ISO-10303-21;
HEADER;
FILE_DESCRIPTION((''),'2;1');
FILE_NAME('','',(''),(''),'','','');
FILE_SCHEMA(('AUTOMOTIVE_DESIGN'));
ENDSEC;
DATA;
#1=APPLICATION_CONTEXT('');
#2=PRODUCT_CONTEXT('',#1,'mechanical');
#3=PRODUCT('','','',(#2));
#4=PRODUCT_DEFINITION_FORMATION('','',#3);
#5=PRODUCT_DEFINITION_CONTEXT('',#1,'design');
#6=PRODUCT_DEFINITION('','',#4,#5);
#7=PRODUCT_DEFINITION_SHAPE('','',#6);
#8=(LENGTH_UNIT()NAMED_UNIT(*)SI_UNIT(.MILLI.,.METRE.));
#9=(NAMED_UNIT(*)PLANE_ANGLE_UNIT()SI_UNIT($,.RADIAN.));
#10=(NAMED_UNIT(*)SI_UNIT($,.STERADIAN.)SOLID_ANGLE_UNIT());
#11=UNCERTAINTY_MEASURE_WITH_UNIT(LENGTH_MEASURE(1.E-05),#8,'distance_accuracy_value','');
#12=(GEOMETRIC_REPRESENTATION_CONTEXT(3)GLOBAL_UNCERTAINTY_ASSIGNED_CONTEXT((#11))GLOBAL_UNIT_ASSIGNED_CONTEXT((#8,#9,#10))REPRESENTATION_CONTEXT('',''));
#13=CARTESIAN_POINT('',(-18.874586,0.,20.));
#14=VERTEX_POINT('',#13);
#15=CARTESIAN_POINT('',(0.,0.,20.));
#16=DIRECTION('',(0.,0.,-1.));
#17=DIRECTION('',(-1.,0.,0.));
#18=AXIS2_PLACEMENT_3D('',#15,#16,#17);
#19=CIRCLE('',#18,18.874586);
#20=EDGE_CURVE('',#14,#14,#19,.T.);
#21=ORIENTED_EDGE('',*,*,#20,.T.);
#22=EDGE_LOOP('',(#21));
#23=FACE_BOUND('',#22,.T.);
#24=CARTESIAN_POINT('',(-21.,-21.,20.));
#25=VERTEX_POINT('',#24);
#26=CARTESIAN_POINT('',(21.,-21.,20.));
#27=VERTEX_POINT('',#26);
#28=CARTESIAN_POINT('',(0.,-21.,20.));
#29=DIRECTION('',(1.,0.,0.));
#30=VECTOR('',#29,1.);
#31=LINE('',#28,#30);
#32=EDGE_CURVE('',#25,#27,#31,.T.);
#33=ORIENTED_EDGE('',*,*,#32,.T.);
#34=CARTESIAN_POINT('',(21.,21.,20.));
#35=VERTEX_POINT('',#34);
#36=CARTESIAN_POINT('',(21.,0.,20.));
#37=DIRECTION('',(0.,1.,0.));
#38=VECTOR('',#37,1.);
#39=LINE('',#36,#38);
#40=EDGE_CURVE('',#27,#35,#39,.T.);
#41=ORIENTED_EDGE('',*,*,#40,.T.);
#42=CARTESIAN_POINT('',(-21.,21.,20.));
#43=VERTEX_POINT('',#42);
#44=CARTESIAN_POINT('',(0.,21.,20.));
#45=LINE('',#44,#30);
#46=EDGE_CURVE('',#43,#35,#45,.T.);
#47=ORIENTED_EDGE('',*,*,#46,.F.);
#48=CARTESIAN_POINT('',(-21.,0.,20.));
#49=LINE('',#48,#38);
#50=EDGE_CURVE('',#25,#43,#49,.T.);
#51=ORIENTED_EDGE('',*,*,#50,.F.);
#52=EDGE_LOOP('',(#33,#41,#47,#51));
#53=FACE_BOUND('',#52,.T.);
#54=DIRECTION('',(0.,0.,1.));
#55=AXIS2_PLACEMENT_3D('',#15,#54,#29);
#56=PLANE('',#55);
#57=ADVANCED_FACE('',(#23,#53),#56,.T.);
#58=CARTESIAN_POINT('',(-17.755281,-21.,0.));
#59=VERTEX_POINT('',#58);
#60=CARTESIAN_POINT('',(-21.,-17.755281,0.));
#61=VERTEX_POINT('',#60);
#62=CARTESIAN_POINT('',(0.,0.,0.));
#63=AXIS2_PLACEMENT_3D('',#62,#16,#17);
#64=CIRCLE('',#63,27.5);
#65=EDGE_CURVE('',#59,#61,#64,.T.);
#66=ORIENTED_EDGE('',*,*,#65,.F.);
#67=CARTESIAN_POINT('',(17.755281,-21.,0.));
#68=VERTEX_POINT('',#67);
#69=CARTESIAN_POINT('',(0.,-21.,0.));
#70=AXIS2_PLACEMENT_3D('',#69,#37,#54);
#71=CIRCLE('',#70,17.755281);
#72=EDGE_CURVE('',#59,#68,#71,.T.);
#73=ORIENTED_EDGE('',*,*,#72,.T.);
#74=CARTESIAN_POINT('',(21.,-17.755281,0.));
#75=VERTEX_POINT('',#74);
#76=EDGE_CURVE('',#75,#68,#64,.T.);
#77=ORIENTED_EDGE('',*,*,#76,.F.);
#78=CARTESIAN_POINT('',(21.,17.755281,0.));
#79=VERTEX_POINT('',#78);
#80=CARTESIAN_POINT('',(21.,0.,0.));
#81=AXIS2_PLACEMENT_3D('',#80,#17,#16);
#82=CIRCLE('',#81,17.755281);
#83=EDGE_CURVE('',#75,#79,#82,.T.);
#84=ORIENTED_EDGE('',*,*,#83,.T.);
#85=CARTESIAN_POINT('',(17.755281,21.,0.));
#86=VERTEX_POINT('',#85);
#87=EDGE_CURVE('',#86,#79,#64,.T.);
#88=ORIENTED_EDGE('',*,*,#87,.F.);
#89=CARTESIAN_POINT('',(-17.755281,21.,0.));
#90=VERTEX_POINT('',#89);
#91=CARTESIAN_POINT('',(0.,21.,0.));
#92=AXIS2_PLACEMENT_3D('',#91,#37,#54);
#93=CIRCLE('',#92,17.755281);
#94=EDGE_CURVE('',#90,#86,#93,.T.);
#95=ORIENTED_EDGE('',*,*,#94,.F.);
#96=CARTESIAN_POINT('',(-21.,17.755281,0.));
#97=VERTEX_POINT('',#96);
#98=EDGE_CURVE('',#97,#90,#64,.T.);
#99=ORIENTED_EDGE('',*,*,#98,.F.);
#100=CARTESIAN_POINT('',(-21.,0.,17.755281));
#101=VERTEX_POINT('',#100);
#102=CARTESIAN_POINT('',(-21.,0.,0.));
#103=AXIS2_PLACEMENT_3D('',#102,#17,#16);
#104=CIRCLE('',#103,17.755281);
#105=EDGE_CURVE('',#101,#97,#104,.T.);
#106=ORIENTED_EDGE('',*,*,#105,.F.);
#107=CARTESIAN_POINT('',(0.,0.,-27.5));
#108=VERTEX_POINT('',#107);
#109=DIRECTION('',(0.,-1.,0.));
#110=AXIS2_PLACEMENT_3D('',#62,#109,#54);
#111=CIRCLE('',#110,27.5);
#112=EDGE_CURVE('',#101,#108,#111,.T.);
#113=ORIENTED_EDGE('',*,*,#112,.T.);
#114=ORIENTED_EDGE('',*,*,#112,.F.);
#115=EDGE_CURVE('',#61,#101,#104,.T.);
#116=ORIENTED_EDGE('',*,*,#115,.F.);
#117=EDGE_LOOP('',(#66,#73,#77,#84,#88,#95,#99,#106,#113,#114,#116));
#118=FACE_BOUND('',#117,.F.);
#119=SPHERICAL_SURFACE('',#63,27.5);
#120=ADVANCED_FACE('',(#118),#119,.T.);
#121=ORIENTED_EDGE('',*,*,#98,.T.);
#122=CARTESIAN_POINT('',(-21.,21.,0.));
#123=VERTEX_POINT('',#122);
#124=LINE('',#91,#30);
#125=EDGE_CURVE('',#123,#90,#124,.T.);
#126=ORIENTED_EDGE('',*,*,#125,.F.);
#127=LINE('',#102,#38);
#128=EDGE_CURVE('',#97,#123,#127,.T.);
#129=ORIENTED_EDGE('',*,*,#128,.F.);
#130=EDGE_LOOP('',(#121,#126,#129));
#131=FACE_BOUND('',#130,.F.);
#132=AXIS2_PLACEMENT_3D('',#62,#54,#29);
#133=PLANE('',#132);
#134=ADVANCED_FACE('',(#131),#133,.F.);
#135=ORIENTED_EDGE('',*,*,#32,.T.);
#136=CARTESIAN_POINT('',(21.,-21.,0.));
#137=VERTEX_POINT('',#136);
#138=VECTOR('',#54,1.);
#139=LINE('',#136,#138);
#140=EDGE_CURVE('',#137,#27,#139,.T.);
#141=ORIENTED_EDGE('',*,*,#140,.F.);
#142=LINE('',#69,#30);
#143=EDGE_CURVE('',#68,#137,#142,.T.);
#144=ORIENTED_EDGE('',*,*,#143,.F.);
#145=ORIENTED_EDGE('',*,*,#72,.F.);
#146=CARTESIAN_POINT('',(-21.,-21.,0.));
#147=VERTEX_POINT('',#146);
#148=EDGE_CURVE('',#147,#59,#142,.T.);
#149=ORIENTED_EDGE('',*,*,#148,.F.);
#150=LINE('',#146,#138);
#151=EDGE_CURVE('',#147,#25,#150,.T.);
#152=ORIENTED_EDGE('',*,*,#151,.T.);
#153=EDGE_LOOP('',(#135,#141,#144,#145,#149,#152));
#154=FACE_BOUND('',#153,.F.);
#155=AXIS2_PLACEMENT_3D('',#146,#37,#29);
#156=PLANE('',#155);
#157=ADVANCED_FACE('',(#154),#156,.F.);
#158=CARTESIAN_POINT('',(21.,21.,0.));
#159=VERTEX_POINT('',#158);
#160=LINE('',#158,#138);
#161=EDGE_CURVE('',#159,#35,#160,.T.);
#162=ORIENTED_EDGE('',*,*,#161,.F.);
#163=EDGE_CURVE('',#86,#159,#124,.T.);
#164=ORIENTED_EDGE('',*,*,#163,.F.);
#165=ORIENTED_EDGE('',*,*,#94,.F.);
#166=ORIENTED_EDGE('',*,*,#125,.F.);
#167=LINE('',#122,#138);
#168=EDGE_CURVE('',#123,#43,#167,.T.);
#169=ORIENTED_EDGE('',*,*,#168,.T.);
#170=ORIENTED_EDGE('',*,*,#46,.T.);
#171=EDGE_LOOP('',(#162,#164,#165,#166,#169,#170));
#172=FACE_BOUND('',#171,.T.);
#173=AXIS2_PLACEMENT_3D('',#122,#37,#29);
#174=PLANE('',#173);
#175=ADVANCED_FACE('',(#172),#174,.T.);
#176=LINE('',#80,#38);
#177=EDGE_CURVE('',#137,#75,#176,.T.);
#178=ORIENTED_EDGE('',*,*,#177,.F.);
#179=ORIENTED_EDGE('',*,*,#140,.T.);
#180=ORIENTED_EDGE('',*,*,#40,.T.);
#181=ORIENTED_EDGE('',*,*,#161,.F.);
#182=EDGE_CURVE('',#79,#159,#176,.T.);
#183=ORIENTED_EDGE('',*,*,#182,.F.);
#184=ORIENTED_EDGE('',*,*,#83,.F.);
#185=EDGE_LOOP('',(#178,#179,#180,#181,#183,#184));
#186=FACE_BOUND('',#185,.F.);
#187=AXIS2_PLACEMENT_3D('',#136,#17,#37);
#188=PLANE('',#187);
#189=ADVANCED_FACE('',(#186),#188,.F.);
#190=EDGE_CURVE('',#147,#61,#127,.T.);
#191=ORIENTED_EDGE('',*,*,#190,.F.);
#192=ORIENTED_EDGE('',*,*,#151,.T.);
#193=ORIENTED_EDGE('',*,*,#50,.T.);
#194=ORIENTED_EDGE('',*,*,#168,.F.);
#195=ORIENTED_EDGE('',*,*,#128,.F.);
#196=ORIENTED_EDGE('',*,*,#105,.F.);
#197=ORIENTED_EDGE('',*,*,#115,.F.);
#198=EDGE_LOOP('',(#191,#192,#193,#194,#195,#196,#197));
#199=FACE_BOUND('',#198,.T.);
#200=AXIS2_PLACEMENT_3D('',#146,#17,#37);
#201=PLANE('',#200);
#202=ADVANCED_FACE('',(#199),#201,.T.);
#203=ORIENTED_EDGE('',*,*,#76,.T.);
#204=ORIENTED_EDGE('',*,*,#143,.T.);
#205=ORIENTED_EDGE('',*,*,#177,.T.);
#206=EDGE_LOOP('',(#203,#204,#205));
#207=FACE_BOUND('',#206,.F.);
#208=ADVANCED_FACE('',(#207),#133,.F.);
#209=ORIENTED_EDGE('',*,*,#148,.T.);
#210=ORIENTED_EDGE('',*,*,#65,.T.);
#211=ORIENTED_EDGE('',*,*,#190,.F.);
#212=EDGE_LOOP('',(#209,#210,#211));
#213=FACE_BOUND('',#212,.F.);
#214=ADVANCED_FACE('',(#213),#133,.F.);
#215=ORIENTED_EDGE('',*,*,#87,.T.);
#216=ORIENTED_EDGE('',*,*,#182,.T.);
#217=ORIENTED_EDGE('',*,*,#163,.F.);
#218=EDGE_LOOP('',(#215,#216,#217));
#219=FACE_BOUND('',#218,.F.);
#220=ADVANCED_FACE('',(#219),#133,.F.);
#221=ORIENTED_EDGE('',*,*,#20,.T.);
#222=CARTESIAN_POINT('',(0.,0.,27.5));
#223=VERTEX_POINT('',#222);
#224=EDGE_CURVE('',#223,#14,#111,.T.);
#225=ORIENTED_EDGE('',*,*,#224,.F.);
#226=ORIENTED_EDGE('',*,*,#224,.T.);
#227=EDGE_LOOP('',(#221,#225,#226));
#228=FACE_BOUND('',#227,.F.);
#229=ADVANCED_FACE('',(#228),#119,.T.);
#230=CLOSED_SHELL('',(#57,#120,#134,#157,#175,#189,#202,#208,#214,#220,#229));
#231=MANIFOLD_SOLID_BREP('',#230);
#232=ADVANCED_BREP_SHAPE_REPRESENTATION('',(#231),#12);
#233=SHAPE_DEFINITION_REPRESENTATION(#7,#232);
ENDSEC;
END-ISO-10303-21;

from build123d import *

# Parameters (mm, degrees)
F2_W     = 42
F2_H     = 42
F3_DEPTH = 20


with BuildPart() as f1:
    # F0 (on Front) → F1 (revolve)
    with BuildSketch(Plane.XZ):
        with BuildLine():
            Line((0, -27.5), (0, 27.5))
            ThreePointArc((0, 27.5), (-27.5, 0), (0, -27.5))
        make_face()
    revolve(axis=Axis((0, 0, 0.613028), (0, 0, 1)))

    # F2 (on Top) → F3 (join)
    with BuildSketch(Plane.XY):
        Rectangle(F2_W, F2_H)
    extrude(amount=F3_DEPTH)


solid = f1.part
